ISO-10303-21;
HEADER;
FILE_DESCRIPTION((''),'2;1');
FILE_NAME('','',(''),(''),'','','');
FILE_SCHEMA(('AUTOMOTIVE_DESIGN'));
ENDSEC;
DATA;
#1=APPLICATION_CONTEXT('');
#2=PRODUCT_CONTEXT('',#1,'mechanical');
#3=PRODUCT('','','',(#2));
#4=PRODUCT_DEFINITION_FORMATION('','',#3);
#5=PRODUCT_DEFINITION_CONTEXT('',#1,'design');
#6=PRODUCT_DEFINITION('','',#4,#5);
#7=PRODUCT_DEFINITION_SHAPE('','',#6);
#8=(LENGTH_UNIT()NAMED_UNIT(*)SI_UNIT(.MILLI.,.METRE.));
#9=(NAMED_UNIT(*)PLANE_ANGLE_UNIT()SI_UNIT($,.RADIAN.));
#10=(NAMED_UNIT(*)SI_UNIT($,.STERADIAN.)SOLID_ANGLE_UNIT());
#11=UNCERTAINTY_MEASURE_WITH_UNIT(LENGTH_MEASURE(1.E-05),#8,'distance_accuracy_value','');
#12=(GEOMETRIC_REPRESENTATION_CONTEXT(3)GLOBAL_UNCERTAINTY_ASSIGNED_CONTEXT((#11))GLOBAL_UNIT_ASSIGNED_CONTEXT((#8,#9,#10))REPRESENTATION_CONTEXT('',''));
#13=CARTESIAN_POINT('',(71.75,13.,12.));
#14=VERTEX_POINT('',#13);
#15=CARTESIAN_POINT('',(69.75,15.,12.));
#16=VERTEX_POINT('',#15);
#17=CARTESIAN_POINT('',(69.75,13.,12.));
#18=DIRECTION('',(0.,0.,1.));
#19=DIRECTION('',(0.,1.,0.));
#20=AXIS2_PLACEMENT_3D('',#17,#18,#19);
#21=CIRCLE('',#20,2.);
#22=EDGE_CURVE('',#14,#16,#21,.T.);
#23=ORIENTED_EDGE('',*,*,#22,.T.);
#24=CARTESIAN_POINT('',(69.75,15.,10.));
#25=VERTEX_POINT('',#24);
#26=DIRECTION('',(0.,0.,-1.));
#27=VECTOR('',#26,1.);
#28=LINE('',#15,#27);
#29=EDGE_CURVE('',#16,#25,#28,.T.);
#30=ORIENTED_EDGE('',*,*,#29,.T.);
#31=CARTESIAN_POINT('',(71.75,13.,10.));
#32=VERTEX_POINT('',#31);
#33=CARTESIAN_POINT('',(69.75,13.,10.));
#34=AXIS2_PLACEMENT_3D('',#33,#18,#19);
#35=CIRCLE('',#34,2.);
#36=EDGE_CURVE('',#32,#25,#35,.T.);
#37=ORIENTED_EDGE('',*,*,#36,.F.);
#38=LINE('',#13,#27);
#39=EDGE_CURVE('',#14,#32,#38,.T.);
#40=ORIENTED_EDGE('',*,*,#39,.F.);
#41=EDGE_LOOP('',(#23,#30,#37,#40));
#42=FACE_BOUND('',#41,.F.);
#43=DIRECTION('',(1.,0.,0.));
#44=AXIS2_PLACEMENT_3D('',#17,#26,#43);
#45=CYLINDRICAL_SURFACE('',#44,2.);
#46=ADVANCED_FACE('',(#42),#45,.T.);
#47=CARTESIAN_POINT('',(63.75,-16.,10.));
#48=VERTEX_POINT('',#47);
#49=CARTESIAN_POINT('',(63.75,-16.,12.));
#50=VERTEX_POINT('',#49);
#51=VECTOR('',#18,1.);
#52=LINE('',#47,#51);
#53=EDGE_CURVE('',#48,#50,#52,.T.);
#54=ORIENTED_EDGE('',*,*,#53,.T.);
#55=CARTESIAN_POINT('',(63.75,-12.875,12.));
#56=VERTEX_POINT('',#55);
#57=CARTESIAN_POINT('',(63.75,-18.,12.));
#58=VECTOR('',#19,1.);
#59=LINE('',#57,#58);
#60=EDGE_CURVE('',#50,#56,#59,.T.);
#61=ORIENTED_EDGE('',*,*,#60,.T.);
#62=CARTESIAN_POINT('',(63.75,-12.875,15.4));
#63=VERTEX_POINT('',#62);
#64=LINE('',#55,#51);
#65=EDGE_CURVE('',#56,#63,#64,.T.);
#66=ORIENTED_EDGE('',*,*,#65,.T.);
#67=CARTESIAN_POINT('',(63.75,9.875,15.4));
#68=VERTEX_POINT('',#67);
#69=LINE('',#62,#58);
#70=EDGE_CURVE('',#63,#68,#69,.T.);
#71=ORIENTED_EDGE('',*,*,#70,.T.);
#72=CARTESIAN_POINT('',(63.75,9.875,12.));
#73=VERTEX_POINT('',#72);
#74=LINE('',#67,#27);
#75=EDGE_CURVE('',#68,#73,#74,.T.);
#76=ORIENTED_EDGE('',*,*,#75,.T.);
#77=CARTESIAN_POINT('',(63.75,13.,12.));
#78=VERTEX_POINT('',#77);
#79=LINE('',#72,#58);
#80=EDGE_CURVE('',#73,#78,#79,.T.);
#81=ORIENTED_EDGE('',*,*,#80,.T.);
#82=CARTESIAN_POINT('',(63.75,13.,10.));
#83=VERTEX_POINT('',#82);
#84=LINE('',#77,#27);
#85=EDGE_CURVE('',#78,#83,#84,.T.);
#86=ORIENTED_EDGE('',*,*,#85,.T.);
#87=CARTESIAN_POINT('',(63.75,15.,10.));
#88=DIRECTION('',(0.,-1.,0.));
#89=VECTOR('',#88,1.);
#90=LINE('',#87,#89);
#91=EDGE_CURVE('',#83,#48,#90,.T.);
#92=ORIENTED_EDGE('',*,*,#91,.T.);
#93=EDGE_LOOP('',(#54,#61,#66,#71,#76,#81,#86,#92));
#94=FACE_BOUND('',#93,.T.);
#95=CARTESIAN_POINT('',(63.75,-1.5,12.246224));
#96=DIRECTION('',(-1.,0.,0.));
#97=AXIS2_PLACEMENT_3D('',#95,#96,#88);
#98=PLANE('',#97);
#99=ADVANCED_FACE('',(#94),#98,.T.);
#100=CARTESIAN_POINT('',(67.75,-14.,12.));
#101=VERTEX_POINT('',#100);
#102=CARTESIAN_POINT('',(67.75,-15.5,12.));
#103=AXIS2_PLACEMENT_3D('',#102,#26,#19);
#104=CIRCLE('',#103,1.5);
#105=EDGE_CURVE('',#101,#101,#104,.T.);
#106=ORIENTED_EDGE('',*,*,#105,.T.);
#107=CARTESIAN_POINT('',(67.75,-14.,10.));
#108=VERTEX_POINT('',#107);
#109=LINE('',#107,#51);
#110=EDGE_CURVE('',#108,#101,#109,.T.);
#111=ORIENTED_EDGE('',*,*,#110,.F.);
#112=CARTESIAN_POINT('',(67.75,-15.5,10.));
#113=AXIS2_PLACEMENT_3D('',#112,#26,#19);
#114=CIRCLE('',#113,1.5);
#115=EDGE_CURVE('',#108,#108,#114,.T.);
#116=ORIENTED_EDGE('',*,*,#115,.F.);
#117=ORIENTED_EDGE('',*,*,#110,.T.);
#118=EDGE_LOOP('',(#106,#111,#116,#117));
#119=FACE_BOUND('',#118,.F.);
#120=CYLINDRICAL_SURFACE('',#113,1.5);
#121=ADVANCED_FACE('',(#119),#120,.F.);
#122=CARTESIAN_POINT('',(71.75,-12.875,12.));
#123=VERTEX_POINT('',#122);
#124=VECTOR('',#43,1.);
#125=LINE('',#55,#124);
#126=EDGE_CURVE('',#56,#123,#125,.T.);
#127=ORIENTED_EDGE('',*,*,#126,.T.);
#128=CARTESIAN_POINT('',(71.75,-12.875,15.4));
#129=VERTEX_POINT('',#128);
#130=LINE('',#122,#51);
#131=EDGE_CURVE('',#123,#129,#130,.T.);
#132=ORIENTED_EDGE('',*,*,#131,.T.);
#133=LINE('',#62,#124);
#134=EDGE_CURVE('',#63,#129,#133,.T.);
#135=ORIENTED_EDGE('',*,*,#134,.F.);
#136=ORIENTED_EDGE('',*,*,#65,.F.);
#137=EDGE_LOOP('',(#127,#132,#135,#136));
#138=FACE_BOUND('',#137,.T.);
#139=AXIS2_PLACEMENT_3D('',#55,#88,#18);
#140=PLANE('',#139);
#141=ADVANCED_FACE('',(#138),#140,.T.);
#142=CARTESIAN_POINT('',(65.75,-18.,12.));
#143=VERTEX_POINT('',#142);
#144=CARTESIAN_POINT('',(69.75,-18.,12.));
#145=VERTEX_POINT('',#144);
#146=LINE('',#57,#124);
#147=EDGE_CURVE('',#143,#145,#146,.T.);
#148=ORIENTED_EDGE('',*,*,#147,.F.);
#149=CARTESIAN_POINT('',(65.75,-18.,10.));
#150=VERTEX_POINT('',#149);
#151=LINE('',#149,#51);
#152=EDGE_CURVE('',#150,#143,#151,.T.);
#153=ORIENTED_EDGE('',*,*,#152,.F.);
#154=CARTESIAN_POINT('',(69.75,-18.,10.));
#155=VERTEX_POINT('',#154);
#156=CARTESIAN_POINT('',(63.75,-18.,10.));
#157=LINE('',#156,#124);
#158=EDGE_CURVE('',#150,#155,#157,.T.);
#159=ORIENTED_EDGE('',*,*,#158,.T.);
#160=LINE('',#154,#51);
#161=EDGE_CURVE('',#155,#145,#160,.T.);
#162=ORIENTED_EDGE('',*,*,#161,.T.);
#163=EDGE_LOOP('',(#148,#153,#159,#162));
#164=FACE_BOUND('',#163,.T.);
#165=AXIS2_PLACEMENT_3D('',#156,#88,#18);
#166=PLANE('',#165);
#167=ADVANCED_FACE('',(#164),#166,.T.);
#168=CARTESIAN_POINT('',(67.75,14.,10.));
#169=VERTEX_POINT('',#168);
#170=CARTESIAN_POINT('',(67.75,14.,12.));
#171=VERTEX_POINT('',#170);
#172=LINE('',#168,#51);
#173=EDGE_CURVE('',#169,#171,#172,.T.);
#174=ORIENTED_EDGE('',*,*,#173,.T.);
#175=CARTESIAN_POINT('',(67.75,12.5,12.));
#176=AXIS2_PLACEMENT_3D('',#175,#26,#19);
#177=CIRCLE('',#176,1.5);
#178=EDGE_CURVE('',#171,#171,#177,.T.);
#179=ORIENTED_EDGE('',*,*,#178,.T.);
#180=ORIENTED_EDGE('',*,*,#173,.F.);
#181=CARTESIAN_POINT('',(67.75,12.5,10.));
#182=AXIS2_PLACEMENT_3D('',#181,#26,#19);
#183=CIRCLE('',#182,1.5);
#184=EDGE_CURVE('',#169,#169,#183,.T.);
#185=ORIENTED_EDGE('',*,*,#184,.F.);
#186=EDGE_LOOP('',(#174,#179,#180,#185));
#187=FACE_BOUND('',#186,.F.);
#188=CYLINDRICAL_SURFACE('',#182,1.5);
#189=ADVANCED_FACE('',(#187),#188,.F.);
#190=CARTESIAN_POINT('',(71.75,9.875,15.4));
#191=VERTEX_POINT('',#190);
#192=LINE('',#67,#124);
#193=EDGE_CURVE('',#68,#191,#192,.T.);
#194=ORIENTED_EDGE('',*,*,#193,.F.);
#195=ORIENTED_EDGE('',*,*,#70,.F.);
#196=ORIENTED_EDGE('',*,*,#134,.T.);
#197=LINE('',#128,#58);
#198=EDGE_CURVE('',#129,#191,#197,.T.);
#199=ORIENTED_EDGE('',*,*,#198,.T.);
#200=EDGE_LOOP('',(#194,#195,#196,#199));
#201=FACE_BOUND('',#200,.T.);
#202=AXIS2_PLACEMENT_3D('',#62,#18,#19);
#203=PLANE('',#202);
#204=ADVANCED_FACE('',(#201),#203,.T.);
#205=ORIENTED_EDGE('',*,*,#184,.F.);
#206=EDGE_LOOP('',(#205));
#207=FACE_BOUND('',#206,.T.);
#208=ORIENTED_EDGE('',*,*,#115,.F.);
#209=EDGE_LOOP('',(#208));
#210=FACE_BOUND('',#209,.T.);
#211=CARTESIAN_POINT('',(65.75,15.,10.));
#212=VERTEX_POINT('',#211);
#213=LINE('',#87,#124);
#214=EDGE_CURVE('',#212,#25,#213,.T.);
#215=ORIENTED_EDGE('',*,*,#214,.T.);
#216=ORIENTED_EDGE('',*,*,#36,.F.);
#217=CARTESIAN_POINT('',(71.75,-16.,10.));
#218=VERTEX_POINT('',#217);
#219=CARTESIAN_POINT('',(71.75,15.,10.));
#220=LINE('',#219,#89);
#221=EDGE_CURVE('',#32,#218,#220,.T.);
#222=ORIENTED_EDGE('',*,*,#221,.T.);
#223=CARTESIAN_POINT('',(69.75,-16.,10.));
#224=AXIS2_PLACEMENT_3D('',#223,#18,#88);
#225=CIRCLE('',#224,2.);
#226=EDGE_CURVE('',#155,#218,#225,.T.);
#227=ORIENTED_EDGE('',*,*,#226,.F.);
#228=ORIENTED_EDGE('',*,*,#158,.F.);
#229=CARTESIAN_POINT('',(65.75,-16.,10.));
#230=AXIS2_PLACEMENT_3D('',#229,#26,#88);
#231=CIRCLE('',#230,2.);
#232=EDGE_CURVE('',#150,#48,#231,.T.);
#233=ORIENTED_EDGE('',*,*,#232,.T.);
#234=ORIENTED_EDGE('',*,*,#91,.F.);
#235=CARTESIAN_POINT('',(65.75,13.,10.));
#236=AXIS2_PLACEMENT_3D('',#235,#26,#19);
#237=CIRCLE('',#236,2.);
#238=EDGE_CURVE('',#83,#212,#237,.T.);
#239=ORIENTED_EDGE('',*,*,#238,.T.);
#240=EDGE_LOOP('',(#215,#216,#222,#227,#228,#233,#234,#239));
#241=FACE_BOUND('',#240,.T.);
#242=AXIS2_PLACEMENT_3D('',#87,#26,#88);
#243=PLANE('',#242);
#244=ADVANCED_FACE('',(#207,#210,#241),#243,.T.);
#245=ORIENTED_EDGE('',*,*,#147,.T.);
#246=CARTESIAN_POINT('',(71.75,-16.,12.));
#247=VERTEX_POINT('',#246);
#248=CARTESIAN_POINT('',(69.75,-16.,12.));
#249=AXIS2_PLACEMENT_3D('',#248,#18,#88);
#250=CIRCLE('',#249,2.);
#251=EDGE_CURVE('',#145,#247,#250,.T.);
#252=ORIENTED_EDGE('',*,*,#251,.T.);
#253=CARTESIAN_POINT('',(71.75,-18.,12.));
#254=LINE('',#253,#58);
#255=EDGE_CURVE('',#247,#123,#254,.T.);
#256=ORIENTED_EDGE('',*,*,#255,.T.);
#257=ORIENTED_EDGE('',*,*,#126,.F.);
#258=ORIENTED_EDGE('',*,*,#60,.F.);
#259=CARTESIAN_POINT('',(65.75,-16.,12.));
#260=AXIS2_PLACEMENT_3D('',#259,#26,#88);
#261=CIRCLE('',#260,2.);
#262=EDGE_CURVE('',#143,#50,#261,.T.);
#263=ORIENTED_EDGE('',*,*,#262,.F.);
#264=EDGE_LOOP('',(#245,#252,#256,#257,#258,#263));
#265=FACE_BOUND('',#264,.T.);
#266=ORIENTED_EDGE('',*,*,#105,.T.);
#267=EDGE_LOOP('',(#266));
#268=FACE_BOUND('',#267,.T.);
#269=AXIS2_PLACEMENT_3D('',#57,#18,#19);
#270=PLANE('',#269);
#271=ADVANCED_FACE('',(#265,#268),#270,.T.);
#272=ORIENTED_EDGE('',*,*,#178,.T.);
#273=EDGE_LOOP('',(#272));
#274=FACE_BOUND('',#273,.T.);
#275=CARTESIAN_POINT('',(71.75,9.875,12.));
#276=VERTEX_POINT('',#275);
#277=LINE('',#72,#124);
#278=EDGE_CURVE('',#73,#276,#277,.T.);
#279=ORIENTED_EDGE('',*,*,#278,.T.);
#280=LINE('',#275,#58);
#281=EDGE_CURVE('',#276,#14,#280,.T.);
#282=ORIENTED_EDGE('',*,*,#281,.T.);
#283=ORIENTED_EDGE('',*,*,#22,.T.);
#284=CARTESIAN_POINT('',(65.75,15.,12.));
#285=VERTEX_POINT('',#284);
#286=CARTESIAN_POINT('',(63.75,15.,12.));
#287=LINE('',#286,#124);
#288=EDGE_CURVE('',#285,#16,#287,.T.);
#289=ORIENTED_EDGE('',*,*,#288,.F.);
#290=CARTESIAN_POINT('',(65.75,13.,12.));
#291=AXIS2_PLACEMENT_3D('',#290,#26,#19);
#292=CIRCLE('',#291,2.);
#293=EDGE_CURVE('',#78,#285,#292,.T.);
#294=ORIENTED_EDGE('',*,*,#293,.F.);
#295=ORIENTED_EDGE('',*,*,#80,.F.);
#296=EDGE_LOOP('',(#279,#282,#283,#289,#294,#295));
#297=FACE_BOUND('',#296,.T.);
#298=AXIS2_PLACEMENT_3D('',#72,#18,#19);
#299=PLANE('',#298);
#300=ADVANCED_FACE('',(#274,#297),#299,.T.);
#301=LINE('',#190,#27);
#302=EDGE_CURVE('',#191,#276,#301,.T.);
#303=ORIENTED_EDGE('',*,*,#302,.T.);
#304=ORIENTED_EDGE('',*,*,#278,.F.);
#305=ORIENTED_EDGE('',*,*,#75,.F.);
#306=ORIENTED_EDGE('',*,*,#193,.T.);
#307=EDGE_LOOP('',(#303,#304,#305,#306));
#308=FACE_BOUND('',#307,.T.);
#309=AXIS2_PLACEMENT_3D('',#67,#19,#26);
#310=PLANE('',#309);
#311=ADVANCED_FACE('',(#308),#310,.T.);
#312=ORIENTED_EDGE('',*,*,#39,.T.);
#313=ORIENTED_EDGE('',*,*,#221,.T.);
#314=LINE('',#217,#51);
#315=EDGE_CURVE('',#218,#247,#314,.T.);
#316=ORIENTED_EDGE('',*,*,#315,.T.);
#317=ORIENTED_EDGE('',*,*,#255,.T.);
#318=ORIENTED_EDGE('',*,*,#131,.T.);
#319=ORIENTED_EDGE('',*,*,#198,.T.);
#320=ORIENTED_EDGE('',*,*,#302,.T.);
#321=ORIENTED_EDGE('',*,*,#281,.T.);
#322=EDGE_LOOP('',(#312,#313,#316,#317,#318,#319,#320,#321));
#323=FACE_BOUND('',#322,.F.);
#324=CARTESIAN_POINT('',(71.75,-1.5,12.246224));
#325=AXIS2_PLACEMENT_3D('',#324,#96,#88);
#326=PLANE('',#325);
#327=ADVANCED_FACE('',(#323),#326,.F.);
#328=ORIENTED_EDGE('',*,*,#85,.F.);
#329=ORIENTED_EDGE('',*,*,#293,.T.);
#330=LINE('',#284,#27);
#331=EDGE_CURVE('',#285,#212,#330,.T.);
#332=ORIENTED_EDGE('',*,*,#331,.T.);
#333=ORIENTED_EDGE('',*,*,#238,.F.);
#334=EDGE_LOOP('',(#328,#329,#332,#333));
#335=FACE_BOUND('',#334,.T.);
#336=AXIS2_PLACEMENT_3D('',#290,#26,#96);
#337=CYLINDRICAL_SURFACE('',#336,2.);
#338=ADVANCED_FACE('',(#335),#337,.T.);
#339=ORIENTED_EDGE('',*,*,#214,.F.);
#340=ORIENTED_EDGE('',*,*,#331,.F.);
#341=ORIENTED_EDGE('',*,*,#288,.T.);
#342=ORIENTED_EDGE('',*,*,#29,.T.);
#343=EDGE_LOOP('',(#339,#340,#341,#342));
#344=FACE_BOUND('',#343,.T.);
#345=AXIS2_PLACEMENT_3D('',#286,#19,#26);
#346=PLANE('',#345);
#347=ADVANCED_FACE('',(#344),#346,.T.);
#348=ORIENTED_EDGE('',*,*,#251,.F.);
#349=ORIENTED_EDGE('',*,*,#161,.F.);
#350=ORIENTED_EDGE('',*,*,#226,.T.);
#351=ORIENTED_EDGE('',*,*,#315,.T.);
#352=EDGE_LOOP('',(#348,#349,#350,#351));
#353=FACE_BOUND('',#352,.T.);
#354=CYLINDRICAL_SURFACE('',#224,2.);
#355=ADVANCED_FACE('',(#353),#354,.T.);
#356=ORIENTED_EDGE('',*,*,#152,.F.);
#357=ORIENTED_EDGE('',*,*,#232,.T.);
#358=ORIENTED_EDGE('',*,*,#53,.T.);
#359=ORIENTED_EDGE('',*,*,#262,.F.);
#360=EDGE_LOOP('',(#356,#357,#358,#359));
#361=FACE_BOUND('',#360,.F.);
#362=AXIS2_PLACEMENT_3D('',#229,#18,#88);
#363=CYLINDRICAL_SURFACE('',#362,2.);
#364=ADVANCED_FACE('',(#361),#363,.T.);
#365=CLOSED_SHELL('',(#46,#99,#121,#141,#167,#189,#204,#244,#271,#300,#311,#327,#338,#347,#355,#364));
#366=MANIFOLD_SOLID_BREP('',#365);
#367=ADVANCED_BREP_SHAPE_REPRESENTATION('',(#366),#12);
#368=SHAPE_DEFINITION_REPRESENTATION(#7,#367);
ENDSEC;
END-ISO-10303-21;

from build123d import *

# Parameters (mm, degrees)
PAD003_DEPTH    = 8
SKETCH006_R     = 1.5
POCKET002_DEPTH = 5
FILLET003_R     = 2


with BuildPart() as part:
    # Sketch005 → Pad003 (new body)
    with BuildSketch(Plane.YZ):
        Polygon((-17, -5), (-11.875, -5), (-11.875, -1.6), (10.875, -1.6), (10.875, -5), (16, -5), (16, -7), (-17, -7), align=None)
    extrude(amount=PAD003_DEPTH)

    # Sketch006 (on Face7 of Pad003) → Pocket002 (cut)
    with BuildSketch(Plane.YX.offset(7)):
        with Locations((-14.5, 4)):
            Circle(SKETCH006_R)
        with Locations((13.5, 4)):
            Circle(SKETCH006_R)
    extrude(amount=-POCKET002_DEPTH, mode=Mode.SUBTRACT)

    # Fillet003
    fillet003_edges = [part.edges().sort_by_distance(p)[0] for p in [
        (8, -17, -6),
        (0, -17, -6),
        (8, 16, -6),
        (0, 16, -6),
    ]]
    fillet(fillet003_edges, radius=FILLET003_R)


with BuildPart() as part_1:
    # Body002 placement: moved
    add(part.part.moved(Location((63.75, -1, 17))))


solid = part_1.part
